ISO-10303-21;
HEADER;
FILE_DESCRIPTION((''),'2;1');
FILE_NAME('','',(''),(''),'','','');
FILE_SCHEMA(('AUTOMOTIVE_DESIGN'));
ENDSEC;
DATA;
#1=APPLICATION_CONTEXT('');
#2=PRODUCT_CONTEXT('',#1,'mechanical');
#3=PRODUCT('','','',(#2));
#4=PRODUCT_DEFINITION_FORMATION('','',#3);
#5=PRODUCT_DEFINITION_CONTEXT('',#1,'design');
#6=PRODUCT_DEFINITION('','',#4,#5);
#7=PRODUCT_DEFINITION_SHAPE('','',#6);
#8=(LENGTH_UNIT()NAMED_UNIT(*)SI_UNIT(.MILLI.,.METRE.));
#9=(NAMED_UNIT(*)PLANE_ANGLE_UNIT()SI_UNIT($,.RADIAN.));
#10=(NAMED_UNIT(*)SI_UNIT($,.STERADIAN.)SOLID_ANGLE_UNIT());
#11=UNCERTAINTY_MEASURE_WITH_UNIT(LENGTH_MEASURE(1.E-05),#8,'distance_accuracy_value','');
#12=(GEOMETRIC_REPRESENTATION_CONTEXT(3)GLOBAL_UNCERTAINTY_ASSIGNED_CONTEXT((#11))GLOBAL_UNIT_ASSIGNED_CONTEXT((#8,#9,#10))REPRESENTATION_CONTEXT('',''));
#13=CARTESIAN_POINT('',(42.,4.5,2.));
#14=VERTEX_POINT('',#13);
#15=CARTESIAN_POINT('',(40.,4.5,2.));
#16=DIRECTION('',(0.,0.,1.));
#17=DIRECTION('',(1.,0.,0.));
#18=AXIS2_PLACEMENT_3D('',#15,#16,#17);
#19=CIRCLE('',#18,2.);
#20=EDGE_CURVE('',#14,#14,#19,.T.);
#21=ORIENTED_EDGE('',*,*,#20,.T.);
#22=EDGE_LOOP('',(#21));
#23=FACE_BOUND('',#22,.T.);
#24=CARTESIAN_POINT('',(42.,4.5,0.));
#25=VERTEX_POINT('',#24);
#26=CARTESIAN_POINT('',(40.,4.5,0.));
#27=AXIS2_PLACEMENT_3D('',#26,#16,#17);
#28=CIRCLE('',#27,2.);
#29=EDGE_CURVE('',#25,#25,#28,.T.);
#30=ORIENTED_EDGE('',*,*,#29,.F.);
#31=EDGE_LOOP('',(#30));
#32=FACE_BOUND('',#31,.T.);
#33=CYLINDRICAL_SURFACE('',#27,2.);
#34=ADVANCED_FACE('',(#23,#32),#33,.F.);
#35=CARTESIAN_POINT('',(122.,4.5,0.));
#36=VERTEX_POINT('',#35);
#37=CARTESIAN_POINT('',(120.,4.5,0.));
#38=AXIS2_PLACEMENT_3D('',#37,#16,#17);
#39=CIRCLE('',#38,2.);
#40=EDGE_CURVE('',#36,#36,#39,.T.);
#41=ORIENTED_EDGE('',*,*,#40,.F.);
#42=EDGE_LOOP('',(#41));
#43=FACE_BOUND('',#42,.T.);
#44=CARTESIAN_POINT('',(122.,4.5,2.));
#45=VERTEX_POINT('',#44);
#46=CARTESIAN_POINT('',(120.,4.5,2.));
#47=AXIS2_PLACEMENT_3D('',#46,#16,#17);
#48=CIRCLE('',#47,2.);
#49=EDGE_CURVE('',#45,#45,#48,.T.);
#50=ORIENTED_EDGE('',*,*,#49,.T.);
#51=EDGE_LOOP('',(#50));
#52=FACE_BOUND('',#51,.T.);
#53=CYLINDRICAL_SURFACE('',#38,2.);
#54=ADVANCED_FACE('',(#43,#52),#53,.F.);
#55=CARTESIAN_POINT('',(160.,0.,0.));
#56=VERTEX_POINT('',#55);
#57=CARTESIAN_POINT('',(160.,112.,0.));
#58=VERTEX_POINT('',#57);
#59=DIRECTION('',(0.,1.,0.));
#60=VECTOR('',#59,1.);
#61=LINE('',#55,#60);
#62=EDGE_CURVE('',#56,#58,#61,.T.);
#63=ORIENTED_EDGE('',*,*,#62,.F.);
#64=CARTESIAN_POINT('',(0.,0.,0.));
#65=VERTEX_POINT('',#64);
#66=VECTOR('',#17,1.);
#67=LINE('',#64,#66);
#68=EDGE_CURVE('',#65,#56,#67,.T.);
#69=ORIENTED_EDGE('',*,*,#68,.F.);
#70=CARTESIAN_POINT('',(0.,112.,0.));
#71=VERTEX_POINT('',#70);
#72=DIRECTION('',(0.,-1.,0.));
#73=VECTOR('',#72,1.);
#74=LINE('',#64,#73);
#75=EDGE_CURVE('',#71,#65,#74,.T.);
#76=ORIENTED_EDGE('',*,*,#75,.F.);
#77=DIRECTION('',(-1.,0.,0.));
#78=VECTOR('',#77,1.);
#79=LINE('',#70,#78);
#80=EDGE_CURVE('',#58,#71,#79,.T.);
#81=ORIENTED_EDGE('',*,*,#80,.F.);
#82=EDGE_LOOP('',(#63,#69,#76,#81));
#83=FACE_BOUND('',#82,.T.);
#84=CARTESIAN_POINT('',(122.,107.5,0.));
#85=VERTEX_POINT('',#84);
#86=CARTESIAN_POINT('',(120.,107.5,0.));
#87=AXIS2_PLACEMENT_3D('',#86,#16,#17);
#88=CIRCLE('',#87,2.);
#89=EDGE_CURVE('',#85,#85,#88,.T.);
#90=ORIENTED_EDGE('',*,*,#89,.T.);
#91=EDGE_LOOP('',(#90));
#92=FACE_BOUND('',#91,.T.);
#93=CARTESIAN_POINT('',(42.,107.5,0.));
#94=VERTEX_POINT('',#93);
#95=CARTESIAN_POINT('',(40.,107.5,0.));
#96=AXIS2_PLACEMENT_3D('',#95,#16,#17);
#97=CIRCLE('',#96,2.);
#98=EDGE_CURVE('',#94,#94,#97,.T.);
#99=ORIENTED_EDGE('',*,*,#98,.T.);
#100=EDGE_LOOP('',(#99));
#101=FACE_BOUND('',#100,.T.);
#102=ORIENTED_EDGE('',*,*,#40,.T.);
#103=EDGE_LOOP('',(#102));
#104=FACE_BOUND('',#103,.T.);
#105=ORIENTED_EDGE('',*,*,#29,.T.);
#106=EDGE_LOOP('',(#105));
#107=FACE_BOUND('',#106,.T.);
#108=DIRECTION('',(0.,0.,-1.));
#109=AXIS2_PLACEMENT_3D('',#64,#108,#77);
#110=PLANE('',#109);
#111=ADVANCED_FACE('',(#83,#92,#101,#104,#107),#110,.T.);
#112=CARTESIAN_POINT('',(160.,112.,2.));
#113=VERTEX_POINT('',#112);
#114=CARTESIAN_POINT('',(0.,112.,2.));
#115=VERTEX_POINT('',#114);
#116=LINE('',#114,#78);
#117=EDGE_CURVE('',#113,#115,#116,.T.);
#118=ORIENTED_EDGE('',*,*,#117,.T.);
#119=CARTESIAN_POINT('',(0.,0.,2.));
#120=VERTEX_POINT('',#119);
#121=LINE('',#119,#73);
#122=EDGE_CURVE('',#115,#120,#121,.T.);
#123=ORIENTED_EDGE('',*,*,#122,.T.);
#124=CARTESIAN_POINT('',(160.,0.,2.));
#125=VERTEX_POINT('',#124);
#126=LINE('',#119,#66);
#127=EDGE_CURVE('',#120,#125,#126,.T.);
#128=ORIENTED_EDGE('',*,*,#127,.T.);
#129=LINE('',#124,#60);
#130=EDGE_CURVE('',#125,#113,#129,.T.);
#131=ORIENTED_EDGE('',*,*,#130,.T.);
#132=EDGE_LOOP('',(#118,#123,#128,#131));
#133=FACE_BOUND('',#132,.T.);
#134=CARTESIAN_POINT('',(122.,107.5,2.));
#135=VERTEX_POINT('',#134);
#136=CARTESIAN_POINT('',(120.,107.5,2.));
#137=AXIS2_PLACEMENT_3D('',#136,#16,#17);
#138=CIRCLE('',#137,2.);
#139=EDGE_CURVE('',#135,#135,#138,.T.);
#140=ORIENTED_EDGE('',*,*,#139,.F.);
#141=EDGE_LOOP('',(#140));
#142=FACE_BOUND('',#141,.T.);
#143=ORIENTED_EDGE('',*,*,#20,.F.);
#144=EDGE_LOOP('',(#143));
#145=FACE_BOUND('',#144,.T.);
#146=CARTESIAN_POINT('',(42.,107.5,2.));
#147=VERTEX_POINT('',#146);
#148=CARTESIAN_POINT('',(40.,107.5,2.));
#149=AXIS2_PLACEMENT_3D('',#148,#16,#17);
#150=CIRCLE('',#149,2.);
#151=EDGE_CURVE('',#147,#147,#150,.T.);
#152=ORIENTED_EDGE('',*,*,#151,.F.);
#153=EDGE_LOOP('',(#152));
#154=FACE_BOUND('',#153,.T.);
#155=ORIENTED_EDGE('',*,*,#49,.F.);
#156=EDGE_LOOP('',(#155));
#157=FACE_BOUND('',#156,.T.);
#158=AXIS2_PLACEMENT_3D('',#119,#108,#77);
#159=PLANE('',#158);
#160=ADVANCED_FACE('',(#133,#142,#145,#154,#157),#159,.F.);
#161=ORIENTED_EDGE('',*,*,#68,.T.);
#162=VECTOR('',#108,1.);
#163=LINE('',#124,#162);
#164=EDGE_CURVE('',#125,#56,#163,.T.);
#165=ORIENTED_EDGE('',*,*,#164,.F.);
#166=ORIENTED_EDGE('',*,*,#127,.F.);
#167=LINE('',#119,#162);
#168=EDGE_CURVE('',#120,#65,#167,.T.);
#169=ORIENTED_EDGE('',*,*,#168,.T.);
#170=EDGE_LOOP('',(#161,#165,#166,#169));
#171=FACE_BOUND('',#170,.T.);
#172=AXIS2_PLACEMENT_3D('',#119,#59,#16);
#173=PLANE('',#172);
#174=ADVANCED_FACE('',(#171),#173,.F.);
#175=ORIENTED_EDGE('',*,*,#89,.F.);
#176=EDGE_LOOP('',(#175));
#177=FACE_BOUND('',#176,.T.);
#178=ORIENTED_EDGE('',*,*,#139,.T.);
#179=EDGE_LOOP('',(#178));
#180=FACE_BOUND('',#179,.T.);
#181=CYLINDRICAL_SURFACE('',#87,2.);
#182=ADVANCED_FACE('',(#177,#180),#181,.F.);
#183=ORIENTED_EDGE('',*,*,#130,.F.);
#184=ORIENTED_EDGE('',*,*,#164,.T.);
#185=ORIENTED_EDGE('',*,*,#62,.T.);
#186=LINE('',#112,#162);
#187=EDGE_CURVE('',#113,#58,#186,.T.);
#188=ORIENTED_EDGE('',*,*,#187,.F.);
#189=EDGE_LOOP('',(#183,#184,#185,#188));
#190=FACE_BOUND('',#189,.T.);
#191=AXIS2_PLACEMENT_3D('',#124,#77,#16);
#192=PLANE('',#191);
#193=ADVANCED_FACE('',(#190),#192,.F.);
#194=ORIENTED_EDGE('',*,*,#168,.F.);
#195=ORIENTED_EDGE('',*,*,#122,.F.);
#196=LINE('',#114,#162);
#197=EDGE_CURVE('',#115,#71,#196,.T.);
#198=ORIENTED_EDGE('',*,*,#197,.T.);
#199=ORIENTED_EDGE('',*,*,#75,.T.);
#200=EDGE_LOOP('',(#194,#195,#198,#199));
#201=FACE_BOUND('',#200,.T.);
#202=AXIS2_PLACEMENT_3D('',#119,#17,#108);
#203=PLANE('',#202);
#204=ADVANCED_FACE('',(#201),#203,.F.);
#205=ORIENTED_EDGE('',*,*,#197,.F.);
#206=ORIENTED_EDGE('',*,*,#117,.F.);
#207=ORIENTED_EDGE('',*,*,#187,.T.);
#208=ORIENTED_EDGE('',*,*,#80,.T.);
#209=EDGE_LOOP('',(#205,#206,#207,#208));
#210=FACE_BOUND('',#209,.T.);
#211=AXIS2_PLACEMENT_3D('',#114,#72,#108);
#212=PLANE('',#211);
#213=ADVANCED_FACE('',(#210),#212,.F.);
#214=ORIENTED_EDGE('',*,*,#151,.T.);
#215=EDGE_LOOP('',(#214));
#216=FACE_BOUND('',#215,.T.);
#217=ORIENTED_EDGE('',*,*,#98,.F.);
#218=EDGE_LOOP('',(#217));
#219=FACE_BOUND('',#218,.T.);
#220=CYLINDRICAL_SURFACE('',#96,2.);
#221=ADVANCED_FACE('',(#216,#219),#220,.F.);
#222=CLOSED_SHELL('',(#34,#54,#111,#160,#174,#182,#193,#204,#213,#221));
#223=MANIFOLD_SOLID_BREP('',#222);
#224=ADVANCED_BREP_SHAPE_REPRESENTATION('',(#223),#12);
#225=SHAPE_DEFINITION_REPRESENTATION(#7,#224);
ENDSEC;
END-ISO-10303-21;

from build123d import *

# Parameters (mm, degrees)
SKETCH1_W           = 160
SKETCH1_H           = 112
BOSS_EXTRUDE1_DEPTH = 2
SKETCH2_R           = 2
CUT_EXTRUDE1_DEPTH  = 196.315129982


with BuildPart() as part:
    # Sketch1 → Boss-Extrude1 (new body)
    with BuildSketch(Plane.XY):
        with Locations((80, 56)):
            Rectangle(SKETCH1_W, SKETCH1_H)
    extrude(amount=BOSS_EXTRUDE1_DEPTH)

    # Sketch2 → Cut-Extrude1 (cut, through all)
    with BuildSketch(Plane.XY.offset(2)):
        with Locations((40, 107.5)):
            Circle(SKETCH2_R)
        with Locations((120, 107.5)):
            Circle(SKETCH2_R)
        with Locations((40, 4.5)):
            Circle(SKETCH2_R)
        with Locations((120, 4.5)):
            Circle(SKETCH2_R)
    extrude(amount=-CUT_EXTRUDE1_DEPTH, mode=Mode.SUBTRACT)


solid = part.part
